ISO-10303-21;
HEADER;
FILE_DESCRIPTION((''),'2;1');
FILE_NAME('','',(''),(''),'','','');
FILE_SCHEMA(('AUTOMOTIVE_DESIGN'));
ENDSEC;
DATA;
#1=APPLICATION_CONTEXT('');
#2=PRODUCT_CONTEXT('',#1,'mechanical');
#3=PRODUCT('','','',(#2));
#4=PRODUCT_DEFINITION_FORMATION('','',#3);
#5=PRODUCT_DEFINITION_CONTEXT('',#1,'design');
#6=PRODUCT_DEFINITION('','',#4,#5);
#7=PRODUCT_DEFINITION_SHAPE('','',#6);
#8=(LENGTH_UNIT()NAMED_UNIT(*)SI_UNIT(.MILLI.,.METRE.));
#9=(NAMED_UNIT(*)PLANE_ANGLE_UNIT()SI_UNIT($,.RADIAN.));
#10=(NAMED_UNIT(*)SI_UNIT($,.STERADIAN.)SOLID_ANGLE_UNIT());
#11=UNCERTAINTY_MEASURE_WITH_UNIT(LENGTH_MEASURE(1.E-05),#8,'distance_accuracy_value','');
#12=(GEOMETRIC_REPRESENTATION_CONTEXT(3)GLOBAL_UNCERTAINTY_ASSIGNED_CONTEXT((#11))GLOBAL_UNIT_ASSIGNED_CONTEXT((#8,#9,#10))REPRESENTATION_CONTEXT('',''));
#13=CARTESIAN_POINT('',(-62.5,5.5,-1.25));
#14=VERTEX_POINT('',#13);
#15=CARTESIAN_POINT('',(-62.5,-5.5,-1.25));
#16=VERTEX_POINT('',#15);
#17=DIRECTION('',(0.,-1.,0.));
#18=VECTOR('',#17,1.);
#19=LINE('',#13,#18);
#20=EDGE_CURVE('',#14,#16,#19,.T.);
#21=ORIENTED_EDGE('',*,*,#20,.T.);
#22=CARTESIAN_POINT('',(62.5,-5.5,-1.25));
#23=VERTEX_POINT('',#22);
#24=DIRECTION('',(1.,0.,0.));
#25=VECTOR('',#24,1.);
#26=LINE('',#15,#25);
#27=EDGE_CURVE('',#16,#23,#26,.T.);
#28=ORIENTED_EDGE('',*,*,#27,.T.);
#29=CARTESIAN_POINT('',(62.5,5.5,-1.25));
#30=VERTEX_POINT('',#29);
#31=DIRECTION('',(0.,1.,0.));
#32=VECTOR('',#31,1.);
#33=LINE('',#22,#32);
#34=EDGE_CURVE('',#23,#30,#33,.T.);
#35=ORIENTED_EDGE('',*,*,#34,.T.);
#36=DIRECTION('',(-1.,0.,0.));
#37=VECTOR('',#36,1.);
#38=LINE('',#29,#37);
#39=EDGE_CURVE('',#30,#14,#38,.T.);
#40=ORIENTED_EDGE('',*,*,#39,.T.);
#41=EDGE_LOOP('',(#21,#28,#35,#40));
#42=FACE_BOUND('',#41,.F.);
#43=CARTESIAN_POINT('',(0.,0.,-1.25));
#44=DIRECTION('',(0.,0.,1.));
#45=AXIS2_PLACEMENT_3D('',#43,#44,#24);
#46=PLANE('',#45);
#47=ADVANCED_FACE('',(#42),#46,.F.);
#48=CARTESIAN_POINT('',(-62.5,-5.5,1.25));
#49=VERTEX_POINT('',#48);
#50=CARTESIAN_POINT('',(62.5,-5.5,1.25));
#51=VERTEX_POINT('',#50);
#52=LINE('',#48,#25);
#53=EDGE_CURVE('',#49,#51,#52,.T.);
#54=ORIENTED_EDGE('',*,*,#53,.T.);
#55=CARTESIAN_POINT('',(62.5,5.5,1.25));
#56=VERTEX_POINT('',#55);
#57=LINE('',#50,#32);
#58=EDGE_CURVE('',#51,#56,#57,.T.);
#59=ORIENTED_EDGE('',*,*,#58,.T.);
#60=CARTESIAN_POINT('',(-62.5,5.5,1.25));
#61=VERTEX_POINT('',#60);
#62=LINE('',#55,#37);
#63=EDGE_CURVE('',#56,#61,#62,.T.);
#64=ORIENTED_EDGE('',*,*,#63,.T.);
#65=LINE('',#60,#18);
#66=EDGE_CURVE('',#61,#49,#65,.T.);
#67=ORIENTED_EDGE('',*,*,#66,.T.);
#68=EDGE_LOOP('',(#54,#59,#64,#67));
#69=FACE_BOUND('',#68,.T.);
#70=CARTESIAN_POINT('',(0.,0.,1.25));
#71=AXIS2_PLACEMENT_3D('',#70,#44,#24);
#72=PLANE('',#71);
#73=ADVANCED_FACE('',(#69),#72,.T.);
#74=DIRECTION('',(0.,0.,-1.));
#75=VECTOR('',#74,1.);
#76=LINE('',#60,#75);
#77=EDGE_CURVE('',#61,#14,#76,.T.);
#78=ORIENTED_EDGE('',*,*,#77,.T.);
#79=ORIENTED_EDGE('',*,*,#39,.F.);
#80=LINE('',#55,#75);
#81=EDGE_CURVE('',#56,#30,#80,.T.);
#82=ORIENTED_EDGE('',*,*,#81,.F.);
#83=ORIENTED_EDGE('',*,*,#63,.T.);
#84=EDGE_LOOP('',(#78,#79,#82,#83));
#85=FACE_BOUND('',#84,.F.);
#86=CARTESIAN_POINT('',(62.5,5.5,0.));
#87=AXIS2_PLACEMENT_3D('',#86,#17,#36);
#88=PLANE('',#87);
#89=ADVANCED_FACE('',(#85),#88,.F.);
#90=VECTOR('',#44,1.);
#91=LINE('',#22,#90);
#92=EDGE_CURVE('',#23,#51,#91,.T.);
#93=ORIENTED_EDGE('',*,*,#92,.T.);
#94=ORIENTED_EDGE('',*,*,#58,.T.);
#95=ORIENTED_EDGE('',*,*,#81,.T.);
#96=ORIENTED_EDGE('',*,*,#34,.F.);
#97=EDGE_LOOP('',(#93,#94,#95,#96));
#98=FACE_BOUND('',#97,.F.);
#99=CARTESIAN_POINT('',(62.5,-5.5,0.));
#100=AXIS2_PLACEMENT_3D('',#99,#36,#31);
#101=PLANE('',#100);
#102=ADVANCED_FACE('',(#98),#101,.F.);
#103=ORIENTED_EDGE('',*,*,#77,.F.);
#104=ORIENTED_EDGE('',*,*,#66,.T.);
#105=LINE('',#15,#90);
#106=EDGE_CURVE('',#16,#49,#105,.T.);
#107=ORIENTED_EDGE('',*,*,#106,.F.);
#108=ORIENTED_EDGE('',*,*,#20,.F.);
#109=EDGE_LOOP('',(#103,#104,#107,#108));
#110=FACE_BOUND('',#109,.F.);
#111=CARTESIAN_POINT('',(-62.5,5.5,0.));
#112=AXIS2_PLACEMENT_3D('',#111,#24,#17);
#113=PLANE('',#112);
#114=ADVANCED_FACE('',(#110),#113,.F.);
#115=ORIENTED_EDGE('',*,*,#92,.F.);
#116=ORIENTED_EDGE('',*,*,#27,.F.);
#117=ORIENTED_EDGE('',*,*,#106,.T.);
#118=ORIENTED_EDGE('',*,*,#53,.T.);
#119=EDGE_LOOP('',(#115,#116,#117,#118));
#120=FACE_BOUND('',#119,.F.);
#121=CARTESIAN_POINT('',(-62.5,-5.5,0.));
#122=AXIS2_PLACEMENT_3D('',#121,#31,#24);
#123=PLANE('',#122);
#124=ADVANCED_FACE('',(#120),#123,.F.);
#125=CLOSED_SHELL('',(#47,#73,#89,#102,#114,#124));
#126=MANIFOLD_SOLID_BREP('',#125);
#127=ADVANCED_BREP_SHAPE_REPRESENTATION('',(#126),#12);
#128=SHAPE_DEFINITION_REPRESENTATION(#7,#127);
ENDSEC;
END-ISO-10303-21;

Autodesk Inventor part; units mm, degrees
ref_plane "YZ Plane" through (0, 0, 0) normal (1, 0, 0) x (0, 1, 0)
ref_plane "XZ Plane" through (0, 0, 0) normal (0, 1, 0) x (-1, 0, 0)
ref_plane "XY Plane" through (0, 0, 0) normal (0, 0, 1) x (1, 0, 0)
sketch "草圖1" plane through (0, 0, 0) normal (0, 0, 1) x (1, 0, 0)
  line L0 (0, 0) -> (-46.9602, 0) construction
  line L1 (0, 0) -> (0, 45.4619) construction
  line L2 (-62.5, -5.5) -> (62.5, -5.5)
  line L3 (62.5, -5.5) -> (62.5, 5.5)
  line L4 (62.5, 5.5) -> (-62.5, 5.5)
  line L5 (-62.5, 5.5) -> (-62.5, -5.5)
  line L6 (-62.5, -5.5) -> (62.5, 5.5) construction
  line L7 (62.5, -5.5) -> (-62.5, 5.5) construction
  dimension "d0" = 11
  dimension "d1" = 125
extrude "擠出1" add sketch "草圖1" along normal mid plane 2.5
properties part number "0 零件" material "橡膠"
